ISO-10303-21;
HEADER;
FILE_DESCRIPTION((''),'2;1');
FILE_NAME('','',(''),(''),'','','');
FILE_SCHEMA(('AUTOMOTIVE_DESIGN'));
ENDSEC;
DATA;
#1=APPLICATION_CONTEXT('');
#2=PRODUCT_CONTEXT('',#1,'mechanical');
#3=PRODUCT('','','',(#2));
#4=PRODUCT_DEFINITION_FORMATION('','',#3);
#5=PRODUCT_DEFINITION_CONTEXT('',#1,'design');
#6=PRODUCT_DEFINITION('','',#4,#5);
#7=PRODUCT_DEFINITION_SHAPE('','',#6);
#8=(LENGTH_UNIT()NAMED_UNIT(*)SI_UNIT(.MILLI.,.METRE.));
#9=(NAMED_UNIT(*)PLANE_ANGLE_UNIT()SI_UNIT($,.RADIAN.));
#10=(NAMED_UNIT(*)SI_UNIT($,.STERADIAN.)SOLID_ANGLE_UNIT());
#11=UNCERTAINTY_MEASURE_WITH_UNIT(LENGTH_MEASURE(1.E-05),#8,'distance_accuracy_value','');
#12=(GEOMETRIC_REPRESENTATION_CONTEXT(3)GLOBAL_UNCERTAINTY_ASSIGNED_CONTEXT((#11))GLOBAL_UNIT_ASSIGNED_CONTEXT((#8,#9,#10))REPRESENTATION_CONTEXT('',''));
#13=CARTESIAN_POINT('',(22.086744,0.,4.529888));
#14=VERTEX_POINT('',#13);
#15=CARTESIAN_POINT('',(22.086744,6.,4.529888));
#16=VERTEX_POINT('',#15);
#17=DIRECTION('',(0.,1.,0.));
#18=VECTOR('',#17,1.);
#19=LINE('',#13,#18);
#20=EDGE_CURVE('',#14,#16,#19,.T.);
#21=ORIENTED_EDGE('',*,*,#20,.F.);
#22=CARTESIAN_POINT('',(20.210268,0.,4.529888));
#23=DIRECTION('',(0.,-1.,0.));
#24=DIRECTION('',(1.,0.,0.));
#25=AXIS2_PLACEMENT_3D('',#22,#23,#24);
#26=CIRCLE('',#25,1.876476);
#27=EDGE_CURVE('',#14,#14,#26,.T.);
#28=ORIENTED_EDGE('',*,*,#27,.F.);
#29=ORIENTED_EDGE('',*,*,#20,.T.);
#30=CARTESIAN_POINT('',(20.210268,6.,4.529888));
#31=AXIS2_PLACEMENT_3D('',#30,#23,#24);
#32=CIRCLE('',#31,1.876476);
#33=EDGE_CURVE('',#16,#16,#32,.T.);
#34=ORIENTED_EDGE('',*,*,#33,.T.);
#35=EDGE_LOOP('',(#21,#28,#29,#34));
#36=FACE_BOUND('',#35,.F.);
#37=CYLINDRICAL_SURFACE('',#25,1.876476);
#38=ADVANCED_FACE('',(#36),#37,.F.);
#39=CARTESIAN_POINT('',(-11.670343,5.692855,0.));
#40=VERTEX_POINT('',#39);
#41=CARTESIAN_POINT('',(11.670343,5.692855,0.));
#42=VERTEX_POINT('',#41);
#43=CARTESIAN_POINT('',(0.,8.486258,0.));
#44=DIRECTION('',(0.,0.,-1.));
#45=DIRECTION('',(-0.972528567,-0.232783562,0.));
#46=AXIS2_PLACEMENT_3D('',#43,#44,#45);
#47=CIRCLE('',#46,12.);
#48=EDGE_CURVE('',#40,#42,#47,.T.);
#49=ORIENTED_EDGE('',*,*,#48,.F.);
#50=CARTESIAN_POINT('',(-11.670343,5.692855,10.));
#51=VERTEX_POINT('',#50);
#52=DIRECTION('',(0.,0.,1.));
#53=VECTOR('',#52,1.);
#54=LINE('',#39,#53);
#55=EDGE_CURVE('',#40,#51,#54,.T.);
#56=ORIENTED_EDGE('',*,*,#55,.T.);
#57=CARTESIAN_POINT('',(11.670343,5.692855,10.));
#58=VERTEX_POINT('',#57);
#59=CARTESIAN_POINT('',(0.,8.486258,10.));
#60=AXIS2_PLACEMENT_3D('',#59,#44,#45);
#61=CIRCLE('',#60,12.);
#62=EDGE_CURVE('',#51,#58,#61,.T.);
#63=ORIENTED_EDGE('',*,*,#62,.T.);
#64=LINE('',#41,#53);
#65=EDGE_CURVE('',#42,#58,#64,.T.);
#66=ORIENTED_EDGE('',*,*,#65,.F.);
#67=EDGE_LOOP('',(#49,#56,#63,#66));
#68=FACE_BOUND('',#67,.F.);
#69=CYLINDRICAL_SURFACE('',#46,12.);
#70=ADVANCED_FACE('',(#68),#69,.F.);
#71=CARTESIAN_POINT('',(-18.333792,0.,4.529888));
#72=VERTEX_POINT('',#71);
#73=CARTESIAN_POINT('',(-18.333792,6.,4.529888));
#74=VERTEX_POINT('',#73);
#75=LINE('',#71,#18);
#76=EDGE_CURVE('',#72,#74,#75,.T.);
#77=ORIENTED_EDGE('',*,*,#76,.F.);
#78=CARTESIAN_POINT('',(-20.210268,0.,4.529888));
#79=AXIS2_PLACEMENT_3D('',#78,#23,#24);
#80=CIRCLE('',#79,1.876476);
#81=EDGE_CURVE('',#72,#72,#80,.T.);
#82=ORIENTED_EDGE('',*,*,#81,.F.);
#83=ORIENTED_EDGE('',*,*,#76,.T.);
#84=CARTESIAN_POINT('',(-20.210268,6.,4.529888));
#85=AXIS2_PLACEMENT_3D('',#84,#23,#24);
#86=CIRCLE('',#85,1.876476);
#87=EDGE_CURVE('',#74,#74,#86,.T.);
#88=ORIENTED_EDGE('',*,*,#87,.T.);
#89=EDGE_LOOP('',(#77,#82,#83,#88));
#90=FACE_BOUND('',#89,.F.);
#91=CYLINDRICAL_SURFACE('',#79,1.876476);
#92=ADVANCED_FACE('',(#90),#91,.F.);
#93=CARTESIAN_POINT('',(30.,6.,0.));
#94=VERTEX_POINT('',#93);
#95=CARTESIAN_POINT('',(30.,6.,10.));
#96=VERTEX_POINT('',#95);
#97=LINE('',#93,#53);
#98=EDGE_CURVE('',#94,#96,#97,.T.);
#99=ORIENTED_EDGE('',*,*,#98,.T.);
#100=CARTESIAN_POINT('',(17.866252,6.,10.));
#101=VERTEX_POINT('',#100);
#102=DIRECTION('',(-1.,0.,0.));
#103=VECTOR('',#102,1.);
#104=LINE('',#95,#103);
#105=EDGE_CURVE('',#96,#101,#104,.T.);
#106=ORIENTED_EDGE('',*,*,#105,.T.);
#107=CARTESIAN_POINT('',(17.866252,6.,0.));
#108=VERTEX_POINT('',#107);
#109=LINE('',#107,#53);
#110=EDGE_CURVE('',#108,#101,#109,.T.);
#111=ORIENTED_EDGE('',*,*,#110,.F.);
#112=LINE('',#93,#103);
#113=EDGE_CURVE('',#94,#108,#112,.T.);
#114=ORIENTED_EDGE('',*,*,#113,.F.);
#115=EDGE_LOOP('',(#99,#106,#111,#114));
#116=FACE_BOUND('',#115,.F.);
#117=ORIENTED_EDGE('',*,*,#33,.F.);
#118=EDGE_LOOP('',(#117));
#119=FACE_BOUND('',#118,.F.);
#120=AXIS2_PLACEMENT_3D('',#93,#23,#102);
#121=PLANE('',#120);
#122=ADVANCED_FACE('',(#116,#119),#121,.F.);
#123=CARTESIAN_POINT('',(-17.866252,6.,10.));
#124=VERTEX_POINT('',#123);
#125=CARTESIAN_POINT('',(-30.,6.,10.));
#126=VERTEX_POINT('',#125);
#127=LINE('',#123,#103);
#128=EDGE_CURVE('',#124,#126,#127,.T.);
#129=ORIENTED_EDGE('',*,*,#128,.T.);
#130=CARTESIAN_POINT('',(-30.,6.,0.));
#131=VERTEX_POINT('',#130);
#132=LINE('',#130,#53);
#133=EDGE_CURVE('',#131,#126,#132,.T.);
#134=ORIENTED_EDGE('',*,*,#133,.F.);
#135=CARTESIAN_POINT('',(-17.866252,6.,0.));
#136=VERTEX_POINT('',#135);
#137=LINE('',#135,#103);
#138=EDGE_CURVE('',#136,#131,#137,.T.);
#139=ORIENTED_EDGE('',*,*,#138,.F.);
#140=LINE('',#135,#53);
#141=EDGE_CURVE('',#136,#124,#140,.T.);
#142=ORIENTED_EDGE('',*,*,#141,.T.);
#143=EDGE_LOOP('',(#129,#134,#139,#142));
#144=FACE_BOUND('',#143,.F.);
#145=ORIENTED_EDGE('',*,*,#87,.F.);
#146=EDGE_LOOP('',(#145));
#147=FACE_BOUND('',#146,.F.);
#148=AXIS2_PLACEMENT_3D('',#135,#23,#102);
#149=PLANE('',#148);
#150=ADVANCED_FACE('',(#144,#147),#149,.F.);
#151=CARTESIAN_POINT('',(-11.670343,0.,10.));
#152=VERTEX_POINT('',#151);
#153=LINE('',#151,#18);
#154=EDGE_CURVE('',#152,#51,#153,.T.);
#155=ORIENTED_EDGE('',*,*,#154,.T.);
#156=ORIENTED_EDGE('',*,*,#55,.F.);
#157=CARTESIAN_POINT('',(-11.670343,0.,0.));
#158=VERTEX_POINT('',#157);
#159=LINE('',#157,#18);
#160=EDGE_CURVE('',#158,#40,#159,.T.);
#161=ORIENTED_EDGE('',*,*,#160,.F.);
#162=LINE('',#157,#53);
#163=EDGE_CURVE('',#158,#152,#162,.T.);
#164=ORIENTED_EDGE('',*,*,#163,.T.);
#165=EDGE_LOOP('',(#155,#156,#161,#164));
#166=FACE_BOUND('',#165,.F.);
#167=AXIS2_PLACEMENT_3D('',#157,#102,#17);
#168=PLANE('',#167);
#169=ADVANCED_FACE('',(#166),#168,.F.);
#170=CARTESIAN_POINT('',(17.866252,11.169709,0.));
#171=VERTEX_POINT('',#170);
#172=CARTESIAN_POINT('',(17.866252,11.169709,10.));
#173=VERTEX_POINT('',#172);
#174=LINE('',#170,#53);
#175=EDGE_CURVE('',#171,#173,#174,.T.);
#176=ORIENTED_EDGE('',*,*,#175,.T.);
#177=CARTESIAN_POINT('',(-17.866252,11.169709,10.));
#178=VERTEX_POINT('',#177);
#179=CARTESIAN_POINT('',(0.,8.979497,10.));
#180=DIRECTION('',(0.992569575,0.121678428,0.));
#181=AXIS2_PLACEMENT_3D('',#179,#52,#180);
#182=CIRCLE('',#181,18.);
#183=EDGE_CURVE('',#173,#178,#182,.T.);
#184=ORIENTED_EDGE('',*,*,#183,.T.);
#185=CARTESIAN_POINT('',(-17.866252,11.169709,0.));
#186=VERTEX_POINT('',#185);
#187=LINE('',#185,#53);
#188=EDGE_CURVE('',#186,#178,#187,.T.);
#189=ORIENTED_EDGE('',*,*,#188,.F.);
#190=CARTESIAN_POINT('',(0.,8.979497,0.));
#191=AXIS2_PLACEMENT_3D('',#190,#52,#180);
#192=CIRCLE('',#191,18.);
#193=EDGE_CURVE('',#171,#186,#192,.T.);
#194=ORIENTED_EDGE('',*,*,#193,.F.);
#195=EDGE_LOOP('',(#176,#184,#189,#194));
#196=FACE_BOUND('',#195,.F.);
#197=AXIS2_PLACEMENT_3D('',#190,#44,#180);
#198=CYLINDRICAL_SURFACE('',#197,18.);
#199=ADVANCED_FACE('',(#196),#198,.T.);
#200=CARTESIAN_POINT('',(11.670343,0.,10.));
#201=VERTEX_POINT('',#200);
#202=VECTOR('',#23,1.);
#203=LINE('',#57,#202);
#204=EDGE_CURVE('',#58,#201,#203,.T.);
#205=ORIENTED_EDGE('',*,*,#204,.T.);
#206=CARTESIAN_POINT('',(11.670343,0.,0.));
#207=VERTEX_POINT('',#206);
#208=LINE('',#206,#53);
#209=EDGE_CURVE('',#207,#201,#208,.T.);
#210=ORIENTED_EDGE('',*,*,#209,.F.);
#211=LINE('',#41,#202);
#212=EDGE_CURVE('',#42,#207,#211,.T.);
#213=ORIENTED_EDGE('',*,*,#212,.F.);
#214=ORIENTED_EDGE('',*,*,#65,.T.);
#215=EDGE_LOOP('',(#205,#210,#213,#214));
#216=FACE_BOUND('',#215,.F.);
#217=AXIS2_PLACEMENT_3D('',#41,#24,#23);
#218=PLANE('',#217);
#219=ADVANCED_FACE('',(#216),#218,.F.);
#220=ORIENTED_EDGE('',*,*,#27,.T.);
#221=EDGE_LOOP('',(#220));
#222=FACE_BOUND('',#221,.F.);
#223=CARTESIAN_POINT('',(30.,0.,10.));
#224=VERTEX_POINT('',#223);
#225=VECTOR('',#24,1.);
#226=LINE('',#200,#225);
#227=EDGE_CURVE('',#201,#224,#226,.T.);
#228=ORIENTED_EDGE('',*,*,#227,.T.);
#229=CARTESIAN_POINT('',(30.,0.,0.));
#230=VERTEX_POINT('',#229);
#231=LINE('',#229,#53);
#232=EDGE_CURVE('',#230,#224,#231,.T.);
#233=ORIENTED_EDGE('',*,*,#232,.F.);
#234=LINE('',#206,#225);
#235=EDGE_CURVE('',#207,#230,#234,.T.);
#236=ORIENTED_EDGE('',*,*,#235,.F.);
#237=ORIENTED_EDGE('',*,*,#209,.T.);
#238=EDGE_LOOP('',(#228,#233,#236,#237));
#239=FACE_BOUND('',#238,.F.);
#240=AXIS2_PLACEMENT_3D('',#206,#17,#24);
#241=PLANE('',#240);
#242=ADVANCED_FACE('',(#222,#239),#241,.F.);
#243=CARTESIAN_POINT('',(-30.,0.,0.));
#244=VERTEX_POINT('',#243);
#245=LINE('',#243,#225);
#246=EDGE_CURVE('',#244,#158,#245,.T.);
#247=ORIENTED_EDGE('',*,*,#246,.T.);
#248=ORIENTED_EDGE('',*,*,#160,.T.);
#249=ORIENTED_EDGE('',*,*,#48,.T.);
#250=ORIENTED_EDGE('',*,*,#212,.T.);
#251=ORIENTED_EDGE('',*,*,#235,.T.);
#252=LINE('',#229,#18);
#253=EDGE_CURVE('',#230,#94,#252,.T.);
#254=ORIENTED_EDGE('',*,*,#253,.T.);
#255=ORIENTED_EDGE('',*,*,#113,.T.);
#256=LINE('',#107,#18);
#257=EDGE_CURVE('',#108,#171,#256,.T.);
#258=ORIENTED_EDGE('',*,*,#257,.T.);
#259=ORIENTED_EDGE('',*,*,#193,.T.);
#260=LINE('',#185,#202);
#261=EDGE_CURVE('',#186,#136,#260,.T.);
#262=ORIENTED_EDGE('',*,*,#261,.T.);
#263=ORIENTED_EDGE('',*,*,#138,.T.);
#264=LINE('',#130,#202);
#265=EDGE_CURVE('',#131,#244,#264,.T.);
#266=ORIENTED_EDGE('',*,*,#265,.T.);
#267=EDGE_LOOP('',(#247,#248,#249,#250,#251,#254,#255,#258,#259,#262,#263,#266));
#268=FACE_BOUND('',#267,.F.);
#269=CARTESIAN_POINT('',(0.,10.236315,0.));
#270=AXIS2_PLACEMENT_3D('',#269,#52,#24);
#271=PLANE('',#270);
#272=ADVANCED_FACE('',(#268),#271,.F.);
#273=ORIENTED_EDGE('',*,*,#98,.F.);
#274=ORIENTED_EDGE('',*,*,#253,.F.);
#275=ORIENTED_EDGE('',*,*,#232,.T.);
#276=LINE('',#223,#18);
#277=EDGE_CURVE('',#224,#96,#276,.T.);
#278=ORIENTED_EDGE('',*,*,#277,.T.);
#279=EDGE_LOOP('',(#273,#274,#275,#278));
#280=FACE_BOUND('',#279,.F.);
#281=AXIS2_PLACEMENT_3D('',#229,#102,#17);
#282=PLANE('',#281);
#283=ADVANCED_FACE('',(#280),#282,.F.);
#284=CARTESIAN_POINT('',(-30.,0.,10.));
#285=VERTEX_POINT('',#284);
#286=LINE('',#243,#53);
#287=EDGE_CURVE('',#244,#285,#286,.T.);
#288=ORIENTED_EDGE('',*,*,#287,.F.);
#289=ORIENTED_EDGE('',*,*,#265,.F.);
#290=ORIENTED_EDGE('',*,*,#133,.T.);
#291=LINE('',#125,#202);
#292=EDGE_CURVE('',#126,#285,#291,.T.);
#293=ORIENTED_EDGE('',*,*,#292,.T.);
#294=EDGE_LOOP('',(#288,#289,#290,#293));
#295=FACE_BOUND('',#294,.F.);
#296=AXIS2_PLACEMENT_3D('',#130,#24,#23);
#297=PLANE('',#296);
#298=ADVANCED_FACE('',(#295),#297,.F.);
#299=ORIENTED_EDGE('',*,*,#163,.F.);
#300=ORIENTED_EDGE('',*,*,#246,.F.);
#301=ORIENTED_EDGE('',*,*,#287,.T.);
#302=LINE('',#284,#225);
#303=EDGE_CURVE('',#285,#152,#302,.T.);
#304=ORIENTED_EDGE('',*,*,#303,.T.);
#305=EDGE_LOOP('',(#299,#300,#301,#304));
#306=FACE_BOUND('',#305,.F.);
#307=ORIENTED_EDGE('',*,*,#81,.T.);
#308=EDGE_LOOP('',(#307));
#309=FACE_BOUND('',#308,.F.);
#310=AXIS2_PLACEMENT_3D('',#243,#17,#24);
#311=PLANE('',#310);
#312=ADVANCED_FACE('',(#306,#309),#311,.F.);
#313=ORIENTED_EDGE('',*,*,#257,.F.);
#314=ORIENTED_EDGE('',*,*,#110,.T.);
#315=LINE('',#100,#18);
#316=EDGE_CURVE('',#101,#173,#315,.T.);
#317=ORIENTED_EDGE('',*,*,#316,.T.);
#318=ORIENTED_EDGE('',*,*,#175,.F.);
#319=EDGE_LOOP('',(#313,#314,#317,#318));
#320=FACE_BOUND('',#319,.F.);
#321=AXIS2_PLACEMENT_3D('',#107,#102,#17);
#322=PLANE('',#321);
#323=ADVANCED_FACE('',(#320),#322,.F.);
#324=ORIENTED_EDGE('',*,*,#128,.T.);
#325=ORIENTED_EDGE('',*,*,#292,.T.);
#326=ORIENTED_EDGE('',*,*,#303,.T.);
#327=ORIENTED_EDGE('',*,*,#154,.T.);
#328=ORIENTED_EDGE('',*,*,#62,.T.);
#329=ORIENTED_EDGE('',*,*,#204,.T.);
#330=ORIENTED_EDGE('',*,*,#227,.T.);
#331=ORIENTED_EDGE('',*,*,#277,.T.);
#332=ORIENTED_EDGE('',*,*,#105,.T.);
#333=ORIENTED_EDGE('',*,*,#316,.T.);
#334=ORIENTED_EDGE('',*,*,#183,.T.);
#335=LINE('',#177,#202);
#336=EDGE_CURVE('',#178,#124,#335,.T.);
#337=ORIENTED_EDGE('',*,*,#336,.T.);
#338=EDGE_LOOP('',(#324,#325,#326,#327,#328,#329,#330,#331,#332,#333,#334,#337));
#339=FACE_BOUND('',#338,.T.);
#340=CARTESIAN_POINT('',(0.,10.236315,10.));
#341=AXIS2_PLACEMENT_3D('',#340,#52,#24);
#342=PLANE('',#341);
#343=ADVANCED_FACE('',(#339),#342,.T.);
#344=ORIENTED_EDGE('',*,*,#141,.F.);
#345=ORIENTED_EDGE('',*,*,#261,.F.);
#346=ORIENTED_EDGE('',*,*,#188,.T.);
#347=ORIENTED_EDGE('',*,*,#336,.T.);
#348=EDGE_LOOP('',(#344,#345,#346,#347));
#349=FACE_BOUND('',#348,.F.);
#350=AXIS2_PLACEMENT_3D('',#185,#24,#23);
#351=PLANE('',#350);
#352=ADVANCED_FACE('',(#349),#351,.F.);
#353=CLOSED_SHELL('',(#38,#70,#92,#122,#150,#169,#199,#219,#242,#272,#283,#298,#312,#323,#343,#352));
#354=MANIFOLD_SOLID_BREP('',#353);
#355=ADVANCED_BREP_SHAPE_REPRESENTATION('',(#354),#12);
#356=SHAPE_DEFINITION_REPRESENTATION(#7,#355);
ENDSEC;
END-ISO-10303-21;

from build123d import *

# Parameters (mm, degrees)
F1_DEPTH = 10
F2_R     = 1.876476
F3_DEPTH = 6


with BuildPart() as f1:
    # F0 (on Top) → F1 (new body)
    with BuildSketch(Plane.XY):
        with BuildLine():
            ThreePointArc((17.866252, 11.169709), (0, 26.979497), (-17.866252, 11.169709))
            Line((-17.866252, 11.169709), (-17.866252, 6))
            Line((-17.866252, 6), (-30, 6))
            Line((-30, 6), (-30, 0))
            Line((-30, 0), (-11.670343, 0))
            Line((-11.670343, 0), (-11.670343, 5.692855))
            ThreePointArc((-11.670343, 5.692855), (0, 20.486258), (11.670343, 5.692855))
            Line((11.670343, 5.692855), (11.670343, 0))
            Line((11.670343, 0), (30, 0))
            Line((30, 0), (30, 6))
            Line((30, 6), (17.866252, 6))
            Line((17.866252, 6), (17.866252, 11.169709))
        make_face()
    extrude(amount=F1_DEPTH)

    # F2 (on Front) → F3 (cut)
    with BuildSketch(Plane.XZ):
        with Locations((-20.210268, 4.529888)):
            Circle(F2_R)
        with Locations((20.210268, 4.529888)):
            Circle(F2_R)
    extrude(amount=-F3_DEPTH, mode=Mode.SUBTRACT)


solid = f1.part
